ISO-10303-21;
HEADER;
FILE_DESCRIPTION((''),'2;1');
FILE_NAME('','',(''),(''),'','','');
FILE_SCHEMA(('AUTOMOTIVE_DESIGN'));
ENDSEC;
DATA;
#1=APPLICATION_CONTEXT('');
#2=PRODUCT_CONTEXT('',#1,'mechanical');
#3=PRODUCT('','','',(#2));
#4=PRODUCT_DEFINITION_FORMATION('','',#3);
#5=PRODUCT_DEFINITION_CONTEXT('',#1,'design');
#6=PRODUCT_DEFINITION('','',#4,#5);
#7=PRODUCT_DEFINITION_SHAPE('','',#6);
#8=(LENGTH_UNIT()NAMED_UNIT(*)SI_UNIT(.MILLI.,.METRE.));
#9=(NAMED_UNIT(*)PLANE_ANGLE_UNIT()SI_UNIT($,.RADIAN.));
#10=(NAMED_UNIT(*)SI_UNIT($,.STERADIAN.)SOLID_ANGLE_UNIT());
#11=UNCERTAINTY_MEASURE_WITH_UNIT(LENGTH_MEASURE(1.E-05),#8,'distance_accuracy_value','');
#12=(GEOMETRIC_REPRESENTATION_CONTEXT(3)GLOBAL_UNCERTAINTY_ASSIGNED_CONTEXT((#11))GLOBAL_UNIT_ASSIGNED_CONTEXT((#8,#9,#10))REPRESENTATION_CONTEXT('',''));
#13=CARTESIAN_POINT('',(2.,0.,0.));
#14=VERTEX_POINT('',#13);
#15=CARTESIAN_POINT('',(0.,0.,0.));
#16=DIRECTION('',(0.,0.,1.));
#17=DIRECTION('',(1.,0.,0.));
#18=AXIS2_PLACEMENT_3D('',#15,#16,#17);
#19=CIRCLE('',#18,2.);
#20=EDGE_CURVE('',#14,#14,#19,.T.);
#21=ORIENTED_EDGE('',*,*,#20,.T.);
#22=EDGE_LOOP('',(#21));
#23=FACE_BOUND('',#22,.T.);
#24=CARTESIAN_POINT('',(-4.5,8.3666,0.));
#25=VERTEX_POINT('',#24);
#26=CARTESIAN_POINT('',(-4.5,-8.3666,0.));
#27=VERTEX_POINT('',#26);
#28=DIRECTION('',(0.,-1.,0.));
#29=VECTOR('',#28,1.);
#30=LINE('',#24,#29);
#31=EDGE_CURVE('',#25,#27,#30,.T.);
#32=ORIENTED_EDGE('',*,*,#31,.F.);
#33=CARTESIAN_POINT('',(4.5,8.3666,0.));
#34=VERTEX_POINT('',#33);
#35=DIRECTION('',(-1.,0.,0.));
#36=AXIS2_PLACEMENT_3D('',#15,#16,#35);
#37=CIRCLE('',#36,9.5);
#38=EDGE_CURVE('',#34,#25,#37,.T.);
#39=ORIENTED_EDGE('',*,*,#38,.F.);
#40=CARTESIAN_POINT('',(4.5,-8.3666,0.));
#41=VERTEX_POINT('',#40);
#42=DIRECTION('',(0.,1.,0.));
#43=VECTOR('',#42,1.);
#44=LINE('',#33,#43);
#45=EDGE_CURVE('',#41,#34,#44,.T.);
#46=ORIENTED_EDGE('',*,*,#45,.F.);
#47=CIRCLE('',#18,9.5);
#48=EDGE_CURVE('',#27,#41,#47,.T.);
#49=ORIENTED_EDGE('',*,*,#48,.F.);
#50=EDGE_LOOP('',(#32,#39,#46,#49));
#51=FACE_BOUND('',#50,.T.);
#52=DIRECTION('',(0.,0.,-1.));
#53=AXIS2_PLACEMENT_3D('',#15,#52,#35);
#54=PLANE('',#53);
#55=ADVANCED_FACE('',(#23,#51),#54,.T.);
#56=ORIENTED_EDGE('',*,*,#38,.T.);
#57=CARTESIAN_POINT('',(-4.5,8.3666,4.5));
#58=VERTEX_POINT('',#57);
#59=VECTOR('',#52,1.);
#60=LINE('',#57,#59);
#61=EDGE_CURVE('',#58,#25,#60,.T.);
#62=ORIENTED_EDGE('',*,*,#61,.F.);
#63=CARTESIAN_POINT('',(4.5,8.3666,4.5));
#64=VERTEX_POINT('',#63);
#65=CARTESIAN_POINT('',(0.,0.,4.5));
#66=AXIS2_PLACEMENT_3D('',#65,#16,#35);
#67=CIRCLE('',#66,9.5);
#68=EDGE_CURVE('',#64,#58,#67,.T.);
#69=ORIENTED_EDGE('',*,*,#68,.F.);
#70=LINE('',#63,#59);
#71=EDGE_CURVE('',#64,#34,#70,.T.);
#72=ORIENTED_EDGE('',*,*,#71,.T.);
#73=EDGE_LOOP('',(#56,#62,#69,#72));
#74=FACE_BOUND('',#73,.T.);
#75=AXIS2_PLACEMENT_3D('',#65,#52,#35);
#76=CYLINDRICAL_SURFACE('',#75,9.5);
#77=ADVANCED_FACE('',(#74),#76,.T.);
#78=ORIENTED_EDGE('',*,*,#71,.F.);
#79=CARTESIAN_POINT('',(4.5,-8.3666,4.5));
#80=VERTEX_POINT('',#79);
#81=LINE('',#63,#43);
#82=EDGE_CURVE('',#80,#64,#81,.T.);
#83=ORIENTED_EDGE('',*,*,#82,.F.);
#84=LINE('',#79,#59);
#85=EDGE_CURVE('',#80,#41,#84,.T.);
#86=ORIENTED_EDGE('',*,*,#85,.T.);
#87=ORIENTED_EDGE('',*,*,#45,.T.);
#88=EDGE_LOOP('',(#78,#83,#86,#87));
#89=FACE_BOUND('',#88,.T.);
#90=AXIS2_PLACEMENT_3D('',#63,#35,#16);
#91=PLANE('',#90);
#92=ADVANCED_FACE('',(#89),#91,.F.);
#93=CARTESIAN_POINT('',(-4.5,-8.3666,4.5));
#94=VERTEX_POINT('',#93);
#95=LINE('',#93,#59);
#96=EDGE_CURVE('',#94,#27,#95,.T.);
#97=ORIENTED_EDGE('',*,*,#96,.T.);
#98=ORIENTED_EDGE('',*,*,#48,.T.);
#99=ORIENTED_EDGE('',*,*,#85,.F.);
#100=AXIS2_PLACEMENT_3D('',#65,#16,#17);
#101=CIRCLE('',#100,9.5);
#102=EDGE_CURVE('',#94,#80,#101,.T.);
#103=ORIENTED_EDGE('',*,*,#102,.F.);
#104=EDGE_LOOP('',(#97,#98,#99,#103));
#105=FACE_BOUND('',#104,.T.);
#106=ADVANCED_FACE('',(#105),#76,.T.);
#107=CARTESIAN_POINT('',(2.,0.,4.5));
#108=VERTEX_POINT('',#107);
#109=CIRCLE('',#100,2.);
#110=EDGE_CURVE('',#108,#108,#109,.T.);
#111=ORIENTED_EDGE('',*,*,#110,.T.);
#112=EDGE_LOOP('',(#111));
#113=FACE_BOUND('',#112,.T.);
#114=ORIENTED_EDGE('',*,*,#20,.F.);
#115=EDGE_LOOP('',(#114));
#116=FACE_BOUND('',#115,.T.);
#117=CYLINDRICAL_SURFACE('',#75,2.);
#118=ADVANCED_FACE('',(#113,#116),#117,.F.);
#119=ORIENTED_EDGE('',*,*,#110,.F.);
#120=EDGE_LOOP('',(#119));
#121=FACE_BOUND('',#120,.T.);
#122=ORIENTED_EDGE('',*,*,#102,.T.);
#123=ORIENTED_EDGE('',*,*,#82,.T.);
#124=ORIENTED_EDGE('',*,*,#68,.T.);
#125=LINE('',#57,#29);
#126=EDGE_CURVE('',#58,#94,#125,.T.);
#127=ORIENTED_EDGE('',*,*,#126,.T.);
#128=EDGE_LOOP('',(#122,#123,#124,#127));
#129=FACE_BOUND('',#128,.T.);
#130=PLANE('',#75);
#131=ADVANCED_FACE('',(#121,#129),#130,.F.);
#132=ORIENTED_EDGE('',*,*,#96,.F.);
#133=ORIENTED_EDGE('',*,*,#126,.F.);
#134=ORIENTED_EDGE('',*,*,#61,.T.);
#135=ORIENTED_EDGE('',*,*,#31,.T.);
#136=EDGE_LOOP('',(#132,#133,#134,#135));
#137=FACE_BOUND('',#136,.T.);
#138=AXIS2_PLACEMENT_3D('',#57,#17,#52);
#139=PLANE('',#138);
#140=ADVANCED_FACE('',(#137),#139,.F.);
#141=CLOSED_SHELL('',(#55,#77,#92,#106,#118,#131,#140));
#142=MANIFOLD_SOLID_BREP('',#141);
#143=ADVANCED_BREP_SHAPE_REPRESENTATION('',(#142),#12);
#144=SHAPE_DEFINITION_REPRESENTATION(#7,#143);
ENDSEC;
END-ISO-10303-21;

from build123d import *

# Parameters (mm, degrees)
SKETCH1_R           = 2
BOSS_EXTRUDE1_DEPTH = 4.5


with BuildPart() as part:
    # Sketch1 → Boss-Extrude1 (new body)
    with BuildSketch(Plane.XY):
        with BuildLine():
            Line((-4.5, 8.366600265), (-4.5, -8.366600265))
            ThreePointArc((-4.5, -8.366600265), (0, -9.5), (4.5, -8.366600265))
            Line((4.5, -8.366600265), (4.5, 8.366600265))
            ThreePointArc((4.5, 8.366600265), (0, 9.5), (-4.5, 8.366600265))
        make_face()
        Circle(SKETCH1_R, mode=Mode.SUBTRACT)
    extrude(amount=BOSS_EXTRUDE1_DEPTH)


solid = part.part
